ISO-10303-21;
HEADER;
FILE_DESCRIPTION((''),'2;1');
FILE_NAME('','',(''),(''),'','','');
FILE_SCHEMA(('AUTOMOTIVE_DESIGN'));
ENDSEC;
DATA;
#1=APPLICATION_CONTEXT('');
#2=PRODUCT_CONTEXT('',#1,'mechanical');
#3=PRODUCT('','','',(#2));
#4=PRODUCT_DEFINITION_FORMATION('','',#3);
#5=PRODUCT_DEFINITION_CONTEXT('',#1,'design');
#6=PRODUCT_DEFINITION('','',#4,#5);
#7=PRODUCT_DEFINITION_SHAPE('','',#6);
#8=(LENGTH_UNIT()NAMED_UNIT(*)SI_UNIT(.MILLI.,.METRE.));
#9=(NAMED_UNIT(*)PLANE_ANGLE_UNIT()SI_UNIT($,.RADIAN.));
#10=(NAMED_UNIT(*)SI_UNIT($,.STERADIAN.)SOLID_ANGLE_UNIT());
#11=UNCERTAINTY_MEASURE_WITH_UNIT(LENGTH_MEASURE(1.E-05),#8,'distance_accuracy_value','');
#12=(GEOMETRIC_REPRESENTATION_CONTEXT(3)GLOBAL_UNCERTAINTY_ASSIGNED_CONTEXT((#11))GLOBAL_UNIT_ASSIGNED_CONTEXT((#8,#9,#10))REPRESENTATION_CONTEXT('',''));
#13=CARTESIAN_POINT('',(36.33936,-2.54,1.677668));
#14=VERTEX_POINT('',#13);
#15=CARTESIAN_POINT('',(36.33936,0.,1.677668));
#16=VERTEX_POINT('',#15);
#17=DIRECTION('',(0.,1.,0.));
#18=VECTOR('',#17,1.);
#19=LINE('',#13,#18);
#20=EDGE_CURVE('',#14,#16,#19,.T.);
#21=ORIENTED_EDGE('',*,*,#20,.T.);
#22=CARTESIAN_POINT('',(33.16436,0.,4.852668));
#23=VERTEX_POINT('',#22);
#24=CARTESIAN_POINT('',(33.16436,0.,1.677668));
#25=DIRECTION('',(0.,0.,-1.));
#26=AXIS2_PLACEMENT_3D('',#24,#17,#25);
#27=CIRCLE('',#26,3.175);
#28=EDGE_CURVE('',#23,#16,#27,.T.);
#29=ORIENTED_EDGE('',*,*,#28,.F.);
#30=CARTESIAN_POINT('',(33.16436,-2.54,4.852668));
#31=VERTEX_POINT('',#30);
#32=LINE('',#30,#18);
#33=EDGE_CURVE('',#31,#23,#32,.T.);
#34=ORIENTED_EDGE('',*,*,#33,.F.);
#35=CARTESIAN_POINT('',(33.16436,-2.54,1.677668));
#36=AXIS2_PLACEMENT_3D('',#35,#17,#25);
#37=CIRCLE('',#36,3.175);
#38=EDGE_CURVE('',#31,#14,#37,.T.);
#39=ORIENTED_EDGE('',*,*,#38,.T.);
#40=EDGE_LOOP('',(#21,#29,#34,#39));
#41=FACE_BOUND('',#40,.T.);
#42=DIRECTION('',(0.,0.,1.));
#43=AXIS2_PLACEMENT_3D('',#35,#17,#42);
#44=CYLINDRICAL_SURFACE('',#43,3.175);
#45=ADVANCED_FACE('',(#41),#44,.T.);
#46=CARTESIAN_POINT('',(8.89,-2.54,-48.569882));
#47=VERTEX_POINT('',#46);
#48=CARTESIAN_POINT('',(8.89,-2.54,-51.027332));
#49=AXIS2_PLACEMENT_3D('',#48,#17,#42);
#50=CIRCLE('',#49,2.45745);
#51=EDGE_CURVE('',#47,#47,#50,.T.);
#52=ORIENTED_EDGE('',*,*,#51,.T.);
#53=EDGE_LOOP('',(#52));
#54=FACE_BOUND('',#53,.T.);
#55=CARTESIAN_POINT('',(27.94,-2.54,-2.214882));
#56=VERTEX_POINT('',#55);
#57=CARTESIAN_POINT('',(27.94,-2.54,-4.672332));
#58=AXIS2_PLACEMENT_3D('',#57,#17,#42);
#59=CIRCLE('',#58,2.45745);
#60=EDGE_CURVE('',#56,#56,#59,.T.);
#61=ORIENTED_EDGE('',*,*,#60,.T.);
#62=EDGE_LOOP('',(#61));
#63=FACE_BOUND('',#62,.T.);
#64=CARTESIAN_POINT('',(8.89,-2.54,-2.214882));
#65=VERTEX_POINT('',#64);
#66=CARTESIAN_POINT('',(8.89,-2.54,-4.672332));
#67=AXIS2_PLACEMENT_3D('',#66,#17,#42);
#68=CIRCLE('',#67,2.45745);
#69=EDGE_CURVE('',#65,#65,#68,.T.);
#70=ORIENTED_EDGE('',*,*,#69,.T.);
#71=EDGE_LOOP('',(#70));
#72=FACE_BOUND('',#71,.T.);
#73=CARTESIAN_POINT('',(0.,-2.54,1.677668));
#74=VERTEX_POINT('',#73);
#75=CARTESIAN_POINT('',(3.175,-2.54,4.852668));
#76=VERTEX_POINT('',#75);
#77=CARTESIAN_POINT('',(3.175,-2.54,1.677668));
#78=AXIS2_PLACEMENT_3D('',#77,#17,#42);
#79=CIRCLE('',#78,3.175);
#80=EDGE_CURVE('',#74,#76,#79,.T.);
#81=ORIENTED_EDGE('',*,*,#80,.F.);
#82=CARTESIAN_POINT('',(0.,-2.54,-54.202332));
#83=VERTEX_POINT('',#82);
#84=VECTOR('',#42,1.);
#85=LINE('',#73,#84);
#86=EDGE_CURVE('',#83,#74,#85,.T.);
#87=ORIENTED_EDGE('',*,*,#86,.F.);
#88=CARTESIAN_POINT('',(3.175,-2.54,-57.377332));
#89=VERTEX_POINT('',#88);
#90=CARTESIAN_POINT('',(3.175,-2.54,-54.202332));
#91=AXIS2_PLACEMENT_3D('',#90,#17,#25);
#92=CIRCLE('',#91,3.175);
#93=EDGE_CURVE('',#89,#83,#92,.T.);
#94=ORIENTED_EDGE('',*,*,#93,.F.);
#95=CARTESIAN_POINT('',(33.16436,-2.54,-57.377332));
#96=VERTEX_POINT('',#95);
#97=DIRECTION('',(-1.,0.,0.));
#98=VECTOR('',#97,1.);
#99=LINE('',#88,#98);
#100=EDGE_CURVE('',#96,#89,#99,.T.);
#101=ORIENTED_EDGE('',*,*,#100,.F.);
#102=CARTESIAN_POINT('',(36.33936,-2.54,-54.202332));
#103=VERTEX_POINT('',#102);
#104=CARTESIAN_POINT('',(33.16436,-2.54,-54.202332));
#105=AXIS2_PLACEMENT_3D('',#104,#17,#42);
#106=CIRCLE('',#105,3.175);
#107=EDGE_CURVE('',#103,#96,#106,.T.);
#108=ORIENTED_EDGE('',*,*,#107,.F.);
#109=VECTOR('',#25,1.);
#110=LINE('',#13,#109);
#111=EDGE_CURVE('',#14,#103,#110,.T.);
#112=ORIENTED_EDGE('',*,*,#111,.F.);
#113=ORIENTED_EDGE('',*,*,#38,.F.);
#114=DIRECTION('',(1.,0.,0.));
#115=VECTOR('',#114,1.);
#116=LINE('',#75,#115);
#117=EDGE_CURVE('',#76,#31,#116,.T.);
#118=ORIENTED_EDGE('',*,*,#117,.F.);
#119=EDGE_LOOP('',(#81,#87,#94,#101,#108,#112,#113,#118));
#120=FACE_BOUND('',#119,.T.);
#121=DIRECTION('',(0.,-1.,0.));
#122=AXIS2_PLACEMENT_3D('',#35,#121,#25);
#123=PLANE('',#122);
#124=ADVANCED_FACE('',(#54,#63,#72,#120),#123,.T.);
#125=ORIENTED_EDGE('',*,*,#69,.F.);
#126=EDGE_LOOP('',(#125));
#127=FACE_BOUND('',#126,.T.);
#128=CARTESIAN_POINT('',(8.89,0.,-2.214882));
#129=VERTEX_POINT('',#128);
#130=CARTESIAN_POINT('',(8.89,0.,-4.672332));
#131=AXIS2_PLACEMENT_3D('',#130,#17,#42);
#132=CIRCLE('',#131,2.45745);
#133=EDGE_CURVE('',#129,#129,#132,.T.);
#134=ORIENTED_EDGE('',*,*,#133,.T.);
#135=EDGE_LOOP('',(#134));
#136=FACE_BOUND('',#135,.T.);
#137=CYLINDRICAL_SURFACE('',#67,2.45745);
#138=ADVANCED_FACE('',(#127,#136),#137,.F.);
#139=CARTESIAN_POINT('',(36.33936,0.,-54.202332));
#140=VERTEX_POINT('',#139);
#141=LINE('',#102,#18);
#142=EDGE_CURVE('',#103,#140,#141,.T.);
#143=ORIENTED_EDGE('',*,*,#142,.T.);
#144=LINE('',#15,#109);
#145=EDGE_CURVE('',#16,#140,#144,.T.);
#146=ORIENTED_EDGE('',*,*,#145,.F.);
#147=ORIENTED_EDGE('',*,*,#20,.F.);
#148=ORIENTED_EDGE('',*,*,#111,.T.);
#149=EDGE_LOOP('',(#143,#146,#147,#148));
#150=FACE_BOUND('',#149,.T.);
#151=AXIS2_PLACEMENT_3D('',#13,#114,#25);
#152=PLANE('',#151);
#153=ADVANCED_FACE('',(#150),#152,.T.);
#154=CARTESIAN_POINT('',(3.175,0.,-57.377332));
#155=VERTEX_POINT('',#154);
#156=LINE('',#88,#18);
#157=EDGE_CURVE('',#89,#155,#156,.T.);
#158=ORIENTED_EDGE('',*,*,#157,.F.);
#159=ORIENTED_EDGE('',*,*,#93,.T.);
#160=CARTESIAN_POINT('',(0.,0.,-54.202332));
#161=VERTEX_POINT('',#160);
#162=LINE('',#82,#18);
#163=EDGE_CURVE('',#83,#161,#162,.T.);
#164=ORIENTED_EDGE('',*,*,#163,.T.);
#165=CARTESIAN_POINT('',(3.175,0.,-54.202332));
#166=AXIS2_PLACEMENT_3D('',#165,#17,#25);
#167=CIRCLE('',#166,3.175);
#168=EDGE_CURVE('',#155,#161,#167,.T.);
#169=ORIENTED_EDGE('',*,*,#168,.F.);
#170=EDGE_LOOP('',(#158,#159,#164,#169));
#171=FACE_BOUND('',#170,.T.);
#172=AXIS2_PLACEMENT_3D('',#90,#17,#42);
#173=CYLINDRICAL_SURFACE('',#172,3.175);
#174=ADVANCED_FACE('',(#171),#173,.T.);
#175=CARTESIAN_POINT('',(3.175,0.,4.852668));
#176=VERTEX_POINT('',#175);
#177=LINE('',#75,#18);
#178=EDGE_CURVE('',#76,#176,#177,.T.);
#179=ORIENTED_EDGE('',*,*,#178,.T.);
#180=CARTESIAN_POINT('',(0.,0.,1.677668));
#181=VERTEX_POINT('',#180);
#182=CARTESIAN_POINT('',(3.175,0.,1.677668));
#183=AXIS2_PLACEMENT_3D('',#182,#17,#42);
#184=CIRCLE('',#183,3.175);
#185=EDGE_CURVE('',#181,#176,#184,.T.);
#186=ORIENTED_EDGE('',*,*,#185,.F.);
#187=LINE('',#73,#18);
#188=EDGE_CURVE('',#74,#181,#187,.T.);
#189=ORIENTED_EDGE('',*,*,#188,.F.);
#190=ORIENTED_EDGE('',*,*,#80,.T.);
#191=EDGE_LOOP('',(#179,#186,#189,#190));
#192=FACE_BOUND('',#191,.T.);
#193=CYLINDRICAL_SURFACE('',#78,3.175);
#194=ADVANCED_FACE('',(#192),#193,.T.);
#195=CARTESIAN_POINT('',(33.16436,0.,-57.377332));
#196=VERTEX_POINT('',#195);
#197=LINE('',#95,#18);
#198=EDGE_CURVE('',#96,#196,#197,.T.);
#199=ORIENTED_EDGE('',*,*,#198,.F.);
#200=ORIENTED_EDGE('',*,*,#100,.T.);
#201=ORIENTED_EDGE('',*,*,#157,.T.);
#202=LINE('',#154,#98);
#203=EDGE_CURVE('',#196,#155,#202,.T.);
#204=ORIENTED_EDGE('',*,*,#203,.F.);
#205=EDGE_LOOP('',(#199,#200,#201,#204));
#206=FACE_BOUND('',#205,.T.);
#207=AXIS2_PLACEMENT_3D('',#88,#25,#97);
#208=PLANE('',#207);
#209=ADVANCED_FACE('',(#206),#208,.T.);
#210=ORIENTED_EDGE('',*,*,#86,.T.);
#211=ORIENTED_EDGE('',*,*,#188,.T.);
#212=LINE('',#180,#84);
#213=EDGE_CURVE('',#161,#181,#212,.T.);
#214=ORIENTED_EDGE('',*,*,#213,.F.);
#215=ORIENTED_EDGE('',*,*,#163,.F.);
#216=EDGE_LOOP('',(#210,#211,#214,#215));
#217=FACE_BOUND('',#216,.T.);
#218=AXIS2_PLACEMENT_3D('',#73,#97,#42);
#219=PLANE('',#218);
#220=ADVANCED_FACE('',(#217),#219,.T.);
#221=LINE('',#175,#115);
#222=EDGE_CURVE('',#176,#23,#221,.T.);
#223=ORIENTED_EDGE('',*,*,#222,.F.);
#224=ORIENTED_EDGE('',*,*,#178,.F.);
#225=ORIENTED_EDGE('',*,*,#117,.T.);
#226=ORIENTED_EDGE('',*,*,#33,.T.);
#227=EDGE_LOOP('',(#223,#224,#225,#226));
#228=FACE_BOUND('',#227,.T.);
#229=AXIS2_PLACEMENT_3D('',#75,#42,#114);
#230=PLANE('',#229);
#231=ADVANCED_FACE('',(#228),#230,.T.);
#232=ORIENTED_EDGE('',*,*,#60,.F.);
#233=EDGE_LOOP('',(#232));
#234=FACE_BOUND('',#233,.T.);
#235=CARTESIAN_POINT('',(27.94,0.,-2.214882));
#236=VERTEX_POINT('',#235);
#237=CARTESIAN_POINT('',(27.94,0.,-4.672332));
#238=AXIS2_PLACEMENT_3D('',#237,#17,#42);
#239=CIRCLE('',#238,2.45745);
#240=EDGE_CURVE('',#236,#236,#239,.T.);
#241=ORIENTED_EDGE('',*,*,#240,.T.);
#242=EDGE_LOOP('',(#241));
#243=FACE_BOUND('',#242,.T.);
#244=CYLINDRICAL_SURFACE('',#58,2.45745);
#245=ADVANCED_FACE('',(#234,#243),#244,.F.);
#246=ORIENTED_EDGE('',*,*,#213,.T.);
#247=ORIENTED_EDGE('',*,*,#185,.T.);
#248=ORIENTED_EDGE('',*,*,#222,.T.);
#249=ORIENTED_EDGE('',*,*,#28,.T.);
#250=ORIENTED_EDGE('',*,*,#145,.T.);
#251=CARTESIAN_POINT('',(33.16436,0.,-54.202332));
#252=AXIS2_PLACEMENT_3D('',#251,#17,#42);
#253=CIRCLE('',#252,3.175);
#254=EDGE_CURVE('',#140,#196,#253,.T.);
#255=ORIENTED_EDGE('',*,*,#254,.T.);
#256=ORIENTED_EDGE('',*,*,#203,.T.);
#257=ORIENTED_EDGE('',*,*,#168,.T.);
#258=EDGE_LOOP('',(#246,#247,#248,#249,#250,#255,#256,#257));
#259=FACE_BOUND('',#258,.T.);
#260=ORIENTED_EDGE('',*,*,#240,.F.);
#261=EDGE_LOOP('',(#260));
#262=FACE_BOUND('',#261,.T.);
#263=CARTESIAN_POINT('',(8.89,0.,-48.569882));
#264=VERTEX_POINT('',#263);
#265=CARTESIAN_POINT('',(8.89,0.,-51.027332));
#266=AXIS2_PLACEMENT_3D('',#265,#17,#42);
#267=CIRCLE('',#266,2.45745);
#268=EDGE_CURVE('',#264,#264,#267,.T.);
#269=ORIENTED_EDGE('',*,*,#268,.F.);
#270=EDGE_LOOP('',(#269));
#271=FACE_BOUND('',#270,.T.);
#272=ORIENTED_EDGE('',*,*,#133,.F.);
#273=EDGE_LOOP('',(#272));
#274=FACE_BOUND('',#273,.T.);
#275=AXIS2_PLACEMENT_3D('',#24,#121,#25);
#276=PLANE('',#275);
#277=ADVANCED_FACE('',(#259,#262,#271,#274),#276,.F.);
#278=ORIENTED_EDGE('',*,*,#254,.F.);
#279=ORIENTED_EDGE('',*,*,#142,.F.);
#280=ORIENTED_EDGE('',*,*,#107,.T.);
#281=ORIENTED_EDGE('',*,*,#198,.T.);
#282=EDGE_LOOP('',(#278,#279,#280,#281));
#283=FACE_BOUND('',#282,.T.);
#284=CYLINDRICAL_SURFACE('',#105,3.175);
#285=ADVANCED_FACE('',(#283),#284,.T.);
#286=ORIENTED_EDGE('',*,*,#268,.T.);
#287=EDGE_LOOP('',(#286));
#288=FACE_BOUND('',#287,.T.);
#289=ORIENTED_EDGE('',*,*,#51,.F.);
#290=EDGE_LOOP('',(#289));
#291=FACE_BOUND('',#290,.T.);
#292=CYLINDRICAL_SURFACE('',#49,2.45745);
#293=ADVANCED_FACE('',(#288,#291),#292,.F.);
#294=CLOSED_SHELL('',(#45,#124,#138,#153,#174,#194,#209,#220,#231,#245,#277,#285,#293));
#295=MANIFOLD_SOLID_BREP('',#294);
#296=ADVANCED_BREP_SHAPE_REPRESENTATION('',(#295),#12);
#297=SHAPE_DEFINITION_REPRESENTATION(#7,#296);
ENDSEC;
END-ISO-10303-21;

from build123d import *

# Parameters (mm, degrees)
SKETCH1_R           = 2.45745
BOSS_EXTRUDE1_DEPTH = 2.54


with BuildPart() as part:
    # Sketch1 → Boss-Extrude1 (new body)
    with BuildSketch(Plane(origin=(0, 0, 0), x_dir=(1, 0, 0), z_dir=(0, 1, 0))):
        with BuildLine():
            Line((3.175, -4.852667781), (33.16436, -4.852667781))
            ThreePointArc((33.16436, -4.852667781), (35.40942403, -3.922731811), (36.33936, -1.677667781))
            Line((36.33936, -1.677667781), (36.33936, 54.202332219))
            ThreePointArc((36.33936, 54.202332219), (35.40942403, 56.447396249), (33.16436, 57.377332219))
            Line((33.16436, 57.377332219), (3.175, 57.377332219))
            ThreePointArc((3.175, 57.377332219), (0.92993597, 56.447396249), (0, 54.202332219))
            Line((0, 54.202332219), (0, -1.677667781))
            ThreePointArc((0, -1.677667781), (0.92993597, -3.922731811), (3.175, -4.852667781))
        make_face()
        with Locations(Location((8.89, 51.027332219, 0), (0, 0, 270))):
            Circle(SKETCH1_R, mode=Mode.SUBTRACT)
        with Locations(Location((27.94, 4.672332219, 0), (0, 0, 270))):
            Circle(SKETCH1_R, mode=Mode.SUBTRACT)
        with Locations(Location((8.89, 4.672332219, 0), (0, 0, 270))):
            Circle(SKETCH1_R, mode=Mode.SUBTRACT)
    extrude(amount=-BOSS_EXTRUDE1_DEPTH)


solid = part.part
